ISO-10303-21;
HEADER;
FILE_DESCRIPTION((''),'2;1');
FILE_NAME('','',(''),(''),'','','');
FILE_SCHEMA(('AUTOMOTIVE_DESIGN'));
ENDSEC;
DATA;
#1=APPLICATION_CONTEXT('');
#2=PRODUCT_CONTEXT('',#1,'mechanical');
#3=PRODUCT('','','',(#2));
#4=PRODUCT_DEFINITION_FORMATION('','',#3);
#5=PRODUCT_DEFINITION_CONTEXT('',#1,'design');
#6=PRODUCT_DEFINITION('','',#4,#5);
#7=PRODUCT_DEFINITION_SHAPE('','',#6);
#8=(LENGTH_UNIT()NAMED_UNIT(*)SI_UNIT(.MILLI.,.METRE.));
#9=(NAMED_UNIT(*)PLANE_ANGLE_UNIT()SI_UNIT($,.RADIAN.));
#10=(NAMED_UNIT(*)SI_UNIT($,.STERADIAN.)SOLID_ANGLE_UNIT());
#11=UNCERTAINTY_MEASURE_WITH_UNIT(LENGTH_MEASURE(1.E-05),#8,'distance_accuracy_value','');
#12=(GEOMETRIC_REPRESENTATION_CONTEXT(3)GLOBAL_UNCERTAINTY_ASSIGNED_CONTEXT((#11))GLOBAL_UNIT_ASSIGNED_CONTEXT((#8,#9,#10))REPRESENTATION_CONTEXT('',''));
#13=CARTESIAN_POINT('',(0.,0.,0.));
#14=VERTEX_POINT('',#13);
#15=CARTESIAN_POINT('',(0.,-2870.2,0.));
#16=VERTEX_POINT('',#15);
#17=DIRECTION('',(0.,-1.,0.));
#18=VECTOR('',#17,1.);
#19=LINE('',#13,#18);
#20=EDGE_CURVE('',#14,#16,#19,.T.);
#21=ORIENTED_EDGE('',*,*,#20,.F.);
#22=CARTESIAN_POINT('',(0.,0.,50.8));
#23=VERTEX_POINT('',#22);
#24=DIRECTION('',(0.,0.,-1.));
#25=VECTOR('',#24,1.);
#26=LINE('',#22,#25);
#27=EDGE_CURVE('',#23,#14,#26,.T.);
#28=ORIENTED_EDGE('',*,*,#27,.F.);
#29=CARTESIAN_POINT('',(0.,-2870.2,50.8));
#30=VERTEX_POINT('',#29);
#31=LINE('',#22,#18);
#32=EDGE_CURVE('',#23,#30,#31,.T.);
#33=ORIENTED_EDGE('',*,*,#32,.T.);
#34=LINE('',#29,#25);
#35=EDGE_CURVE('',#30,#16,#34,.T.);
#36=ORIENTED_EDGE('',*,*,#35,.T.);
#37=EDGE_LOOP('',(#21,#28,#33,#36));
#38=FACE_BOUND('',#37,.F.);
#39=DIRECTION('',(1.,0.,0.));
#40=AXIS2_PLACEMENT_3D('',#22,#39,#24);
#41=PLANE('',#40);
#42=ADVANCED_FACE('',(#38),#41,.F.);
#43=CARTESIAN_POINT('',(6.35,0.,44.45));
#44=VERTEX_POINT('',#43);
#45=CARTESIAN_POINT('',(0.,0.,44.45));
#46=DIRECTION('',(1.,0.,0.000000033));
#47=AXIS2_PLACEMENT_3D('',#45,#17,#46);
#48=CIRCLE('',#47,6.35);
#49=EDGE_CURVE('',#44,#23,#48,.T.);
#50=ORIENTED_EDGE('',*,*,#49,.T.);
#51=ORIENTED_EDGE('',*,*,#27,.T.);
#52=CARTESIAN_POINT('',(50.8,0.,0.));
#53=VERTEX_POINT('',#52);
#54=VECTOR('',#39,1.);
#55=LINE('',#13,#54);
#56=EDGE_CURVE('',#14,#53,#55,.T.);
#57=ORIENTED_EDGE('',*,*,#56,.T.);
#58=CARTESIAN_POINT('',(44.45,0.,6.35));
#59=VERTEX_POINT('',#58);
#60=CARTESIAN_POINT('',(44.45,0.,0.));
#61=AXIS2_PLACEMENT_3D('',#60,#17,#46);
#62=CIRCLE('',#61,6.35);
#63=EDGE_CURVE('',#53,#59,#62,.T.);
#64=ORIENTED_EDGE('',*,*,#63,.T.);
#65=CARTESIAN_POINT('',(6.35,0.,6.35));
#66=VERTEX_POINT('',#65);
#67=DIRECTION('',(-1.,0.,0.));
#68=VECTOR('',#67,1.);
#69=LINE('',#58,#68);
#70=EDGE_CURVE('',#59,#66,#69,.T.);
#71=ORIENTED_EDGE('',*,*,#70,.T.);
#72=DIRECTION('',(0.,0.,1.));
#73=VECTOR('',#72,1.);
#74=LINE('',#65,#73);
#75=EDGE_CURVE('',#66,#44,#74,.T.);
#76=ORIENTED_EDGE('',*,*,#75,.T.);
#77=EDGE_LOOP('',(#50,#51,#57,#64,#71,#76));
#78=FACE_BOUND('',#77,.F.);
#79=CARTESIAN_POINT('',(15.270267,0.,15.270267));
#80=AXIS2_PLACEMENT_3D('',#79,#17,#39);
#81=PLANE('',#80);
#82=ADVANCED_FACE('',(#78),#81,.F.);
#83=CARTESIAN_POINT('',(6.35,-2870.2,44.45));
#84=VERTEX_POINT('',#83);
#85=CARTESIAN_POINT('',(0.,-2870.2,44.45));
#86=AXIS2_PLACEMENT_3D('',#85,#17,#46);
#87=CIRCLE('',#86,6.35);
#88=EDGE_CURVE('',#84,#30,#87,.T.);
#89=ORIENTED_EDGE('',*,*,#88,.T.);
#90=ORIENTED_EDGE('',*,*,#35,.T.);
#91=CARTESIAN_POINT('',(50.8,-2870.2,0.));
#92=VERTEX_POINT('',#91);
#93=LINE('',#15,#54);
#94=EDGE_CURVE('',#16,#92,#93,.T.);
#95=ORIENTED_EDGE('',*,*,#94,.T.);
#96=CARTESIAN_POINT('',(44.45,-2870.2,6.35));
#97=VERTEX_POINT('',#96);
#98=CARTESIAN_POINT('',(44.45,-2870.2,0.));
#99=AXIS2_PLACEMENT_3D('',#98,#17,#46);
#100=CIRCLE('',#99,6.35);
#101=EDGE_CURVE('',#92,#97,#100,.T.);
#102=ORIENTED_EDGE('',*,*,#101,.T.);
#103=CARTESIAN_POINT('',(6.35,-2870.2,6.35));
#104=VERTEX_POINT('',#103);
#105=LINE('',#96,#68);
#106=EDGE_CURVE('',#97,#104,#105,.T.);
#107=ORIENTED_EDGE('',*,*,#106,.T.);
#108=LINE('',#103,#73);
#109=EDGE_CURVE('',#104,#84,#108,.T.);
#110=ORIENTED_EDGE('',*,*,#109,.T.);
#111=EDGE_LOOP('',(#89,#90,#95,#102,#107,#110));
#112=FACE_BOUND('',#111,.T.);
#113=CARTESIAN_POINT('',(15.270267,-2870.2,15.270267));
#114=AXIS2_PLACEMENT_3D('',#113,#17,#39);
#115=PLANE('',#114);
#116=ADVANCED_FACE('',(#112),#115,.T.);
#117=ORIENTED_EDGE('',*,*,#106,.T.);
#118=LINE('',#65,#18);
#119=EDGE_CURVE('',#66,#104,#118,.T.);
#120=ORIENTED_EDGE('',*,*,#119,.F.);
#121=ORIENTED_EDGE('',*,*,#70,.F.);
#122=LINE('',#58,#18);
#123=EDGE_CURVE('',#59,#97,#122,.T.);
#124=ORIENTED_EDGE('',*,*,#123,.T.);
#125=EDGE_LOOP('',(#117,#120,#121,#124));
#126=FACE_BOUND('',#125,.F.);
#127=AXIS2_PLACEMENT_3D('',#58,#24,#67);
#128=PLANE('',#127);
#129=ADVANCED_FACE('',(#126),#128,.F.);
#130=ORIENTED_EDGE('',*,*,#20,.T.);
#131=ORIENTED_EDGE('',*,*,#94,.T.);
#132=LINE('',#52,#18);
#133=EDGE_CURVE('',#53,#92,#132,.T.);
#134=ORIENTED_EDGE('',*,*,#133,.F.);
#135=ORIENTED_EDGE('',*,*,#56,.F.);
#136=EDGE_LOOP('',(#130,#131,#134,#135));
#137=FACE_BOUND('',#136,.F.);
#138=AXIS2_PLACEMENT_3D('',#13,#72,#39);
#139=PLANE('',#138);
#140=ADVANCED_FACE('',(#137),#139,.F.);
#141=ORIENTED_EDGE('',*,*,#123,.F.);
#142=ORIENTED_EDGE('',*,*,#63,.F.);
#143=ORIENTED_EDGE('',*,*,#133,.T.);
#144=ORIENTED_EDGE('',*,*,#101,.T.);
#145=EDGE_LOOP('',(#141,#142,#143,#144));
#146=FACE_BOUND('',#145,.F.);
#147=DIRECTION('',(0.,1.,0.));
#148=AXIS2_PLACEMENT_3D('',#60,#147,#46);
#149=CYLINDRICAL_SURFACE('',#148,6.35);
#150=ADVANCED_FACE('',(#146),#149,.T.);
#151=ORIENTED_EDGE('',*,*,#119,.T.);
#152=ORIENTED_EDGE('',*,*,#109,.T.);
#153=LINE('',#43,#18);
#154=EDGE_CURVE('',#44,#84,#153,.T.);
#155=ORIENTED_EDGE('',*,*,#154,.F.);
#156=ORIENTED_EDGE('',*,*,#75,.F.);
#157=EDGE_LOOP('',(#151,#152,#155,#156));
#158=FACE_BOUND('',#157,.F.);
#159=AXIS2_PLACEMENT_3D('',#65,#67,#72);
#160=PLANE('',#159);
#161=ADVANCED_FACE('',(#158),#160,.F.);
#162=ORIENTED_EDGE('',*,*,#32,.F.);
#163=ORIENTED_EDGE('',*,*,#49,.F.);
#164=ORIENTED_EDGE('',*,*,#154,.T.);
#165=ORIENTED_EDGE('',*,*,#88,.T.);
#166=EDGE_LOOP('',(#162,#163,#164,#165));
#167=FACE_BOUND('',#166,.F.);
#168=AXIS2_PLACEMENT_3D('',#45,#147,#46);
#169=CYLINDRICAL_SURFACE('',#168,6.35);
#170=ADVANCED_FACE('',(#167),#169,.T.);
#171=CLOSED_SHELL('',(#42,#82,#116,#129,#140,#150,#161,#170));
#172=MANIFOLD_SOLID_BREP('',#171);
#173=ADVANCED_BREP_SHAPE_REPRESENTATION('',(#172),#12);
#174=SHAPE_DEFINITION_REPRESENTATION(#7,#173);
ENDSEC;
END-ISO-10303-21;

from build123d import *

# Parameters (mm, degrees)
F1_DEPTH = 2870.2


with BuildPart() as f1:
    # F0 (on Front) → F1 (new body)
    with BuildSketch(Plane.XZ):
        with BuildLine():
            Line((0, 50.8), (0, 0))
            Line((0, 0), (50.8, 0))
            ThreePointArc((50.8, 0), (48.940128, 4.490128), (44.45, 6.35))
            Line((44.45, 6.35), (6.35, 6.35))
            Line((6.35, 6.35), (6.35, 44.45))
            ThreePointArc((6.35, 44.45), (4.490128, 48.940128), (0, 50.8))
        make_face()
    extrude(amount=F1_DEPTH)


solid = f1.part
